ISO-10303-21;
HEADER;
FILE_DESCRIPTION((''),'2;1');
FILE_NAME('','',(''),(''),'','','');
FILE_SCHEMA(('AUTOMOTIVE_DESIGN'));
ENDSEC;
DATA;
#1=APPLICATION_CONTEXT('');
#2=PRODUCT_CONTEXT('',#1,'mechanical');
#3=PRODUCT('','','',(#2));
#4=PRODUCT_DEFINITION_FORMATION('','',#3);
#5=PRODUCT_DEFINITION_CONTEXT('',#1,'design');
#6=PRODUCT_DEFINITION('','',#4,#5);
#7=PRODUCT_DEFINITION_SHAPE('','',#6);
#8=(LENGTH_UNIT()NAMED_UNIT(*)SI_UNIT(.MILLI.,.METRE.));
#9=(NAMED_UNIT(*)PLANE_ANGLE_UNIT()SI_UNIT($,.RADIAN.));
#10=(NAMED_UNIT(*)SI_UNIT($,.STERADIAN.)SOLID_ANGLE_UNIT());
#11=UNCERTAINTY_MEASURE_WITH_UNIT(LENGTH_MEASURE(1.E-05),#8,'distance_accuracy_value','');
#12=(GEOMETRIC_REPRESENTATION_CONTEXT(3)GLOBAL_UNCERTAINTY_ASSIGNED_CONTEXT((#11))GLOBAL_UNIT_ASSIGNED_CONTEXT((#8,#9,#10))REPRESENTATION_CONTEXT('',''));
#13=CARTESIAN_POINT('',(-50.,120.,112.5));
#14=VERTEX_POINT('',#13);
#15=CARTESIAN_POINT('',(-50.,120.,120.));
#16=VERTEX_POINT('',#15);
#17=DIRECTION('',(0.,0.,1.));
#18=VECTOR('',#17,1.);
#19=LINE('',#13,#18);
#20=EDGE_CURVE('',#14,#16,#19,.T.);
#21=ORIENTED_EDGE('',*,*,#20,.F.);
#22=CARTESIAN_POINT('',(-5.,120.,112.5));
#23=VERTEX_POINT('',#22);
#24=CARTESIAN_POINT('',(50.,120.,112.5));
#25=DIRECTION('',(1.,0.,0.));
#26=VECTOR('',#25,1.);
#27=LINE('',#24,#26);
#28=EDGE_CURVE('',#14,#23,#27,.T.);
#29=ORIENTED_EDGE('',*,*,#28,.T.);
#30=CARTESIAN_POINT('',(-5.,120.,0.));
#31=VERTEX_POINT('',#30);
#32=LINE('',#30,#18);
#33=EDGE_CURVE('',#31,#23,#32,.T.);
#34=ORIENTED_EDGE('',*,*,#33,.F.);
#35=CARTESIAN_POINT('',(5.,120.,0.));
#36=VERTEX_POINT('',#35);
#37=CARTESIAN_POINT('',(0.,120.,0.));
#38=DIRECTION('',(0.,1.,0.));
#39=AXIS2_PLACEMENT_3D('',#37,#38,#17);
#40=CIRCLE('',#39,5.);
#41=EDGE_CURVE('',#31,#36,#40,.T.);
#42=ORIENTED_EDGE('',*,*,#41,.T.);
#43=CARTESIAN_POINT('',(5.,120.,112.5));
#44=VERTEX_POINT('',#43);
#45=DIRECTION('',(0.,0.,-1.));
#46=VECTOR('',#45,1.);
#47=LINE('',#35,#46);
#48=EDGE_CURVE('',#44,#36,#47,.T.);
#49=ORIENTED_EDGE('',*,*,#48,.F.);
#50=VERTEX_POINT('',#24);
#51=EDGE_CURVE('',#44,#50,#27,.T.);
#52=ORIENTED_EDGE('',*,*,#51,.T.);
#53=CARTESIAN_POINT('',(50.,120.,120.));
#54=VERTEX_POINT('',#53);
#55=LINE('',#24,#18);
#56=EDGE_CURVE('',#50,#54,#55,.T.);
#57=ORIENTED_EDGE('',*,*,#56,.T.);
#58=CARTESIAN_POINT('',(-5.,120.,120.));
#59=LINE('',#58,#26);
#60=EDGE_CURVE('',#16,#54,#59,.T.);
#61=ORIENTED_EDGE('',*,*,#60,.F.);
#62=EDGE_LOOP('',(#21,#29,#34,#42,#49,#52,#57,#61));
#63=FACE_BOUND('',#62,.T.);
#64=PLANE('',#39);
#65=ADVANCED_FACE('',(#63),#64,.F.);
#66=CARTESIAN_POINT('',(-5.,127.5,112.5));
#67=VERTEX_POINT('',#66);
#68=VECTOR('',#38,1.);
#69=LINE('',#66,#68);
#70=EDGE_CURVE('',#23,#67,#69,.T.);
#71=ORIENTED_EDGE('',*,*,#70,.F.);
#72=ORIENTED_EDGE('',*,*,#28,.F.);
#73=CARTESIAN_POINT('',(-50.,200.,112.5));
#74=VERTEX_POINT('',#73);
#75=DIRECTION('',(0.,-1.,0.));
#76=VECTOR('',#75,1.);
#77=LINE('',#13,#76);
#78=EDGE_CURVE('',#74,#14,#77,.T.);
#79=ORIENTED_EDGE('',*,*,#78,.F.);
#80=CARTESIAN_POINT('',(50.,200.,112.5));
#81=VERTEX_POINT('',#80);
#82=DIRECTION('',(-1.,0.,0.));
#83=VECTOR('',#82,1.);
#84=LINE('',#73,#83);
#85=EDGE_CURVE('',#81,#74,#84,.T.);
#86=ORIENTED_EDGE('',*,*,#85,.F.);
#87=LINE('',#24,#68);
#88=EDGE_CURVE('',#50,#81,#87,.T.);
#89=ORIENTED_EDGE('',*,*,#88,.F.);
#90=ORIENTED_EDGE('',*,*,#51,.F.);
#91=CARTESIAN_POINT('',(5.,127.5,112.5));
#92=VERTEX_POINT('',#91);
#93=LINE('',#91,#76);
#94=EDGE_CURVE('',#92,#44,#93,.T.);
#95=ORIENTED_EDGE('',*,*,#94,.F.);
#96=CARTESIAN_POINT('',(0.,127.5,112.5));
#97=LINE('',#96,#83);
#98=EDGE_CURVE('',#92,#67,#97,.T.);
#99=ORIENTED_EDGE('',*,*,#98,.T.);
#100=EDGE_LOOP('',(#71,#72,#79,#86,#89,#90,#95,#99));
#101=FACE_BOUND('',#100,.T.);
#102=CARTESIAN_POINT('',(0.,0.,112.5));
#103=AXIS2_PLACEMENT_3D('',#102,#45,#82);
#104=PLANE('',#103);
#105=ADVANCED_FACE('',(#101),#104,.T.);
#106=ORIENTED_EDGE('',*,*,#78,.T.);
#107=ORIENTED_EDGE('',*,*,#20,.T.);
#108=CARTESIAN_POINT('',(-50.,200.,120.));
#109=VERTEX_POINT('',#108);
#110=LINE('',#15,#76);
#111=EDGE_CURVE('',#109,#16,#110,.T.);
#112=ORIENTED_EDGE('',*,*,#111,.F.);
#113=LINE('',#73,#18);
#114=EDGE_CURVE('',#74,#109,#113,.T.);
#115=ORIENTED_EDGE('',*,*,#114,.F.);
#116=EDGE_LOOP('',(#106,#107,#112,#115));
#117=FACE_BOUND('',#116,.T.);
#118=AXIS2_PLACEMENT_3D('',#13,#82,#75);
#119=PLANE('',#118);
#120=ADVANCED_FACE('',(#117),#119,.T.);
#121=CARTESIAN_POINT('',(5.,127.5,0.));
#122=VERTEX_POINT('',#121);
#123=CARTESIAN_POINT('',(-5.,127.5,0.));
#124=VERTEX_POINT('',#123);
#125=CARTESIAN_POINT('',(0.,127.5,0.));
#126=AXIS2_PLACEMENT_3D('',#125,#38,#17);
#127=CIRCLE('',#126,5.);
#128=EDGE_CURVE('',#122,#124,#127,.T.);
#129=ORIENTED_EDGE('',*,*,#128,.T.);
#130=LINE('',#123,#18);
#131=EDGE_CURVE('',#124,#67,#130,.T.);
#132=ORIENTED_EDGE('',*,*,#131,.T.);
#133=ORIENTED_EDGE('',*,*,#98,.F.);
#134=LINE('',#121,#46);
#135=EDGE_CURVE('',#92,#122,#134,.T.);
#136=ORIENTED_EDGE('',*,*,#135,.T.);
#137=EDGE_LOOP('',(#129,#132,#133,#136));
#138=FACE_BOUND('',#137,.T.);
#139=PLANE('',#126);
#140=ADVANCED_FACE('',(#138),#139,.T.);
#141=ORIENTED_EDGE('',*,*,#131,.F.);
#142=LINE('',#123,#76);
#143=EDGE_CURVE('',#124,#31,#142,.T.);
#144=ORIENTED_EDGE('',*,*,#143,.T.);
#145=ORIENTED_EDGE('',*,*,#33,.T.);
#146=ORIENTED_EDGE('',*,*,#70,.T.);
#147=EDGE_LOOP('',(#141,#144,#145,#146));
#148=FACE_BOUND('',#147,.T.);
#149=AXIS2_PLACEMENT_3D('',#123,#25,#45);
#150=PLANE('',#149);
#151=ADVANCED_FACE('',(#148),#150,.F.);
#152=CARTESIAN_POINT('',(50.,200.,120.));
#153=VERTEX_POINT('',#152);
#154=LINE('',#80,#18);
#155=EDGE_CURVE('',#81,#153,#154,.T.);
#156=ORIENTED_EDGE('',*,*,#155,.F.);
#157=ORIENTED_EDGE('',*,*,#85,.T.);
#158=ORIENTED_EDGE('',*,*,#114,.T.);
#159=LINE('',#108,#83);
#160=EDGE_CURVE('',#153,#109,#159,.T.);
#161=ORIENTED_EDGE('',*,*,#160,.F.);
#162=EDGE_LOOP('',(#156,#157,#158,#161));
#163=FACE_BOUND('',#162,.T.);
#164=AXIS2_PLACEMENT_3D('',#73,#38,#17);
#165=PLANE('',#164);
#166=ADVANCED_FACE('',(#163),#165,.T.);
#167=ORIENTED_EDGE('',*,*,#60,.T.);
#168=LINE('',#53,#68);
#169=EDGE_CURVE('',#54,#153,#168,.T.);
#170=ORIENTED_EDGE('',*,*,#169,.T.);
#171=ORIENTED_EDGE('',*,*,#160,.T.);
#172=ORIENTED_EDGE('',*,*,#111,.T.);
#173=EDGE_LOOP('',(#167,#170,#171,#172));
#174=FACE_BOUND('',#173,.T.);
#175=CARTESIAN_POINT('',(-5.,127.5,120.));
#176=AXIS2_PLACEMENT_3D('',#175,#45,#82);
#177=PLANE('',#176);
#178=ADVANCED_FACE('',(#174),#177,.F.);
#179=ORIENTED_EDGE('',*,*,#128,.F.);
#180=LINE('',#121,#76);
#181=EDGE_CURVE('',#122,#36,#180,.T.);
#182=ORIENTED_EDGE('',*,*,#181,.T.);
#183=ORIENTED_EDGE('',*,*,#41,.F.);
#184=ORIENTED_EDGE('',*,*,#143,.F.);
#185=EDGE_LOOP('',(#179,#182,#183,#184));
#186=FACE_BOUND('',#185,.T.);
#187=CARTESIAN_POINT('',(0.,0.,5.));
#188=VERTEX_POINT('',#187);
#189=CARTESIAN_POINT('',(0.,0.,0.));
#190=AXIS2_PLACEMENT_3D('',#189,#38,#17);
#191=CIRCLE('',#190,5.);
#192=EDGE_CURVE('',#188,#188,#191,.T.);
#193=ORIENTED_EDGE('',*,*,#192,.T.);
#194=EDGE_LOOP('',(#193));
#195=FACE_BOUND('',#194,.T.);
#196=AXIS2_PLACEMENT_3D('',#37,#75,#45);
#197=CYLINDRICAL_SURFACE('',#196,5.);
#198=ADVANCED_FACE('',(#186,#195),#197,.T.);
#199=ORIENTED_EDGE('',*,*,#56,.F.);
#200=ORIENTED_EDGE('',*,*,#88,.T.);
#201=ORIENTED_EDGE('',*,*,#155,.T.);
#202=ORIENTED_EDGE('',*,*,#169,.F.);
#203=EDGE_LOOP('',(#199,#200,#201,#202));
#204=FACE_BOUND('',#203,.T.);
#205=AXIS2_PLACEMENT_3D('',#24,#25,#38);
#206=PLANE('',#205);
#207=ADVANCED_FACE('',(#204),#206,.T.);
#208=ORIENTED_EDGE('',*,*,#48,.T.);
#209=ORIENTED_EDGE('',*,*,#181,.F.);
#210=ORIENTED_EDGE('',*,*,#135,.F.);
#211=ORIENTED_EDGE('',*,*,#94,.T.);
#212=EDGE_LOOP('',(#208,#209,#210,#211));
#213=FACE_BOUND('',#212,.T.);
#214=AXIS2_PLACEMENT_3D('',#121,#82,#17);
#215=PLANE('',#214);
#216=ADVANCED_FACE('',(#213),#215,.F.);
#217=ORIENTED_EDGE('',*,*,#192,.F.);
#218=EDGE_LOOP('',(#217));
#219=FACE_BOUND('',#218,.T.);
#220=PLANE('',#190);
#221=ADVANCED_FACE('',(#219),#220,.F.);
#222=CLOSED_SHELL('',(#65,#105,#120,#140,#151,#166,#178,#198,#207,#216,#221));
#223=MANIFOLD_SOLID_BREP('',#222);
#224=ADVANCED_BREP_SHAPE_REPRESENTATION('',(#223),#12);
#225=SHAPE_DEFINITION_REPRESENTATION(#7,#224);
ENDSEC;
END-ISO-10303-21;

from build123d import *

# Parameters (mm, degrees)
SKETCH1_R           = 5
BRANCH_DEPTH        = 120
BOSS_EXTRUDE1_DEPTH = 7.5
SKETCH3_W           = 100
SKETCH3_H           = 80
BOSS_EXTRUDE2_DEPTH = 7.5


with BuildPart() as part:
    # Sketch1 → branch (new body)
    with BuildSketch(Plane(origin=(0, 0, 0), x_dir=(1, 0, 0), z_dir=(0, 1, 0))):
        with Locations(Location((0, 0, 0), (0, 0, 270))):
            Circle(SKETCH1_R)
    extrude(amount=BRANCH_DEPTH)

    # Sketch2 → Boss-Extrude1 (add)
    with BuildSketch(Plane(origin=(0, 120, 0), x_dir=(1, 0, 0), z_dir=(0, 1, 0))):
        with BuildLine():
            Line((-5, 0), (-5, -120))
            Line((-5, -120), (5, -120))
            Line((5, -120), (5, 0))
            ThreePointArc((5, 0), (0, 5), (-5, 0))
        make_face()
    extrude(amount=BOSS_EXTRUDE1_DEPTH)

    # Sketch3 → Boss-Extrude2 (add)
    with BuildSketch(Plane.XY.offset(120)):
        with Locations((0, 160)):
            Rectangle(SKETCH3_W, SKETCH3_H)
    extrude(amount=-BOSS_EXTRUDE2_DEPTH)


solid = part.part
